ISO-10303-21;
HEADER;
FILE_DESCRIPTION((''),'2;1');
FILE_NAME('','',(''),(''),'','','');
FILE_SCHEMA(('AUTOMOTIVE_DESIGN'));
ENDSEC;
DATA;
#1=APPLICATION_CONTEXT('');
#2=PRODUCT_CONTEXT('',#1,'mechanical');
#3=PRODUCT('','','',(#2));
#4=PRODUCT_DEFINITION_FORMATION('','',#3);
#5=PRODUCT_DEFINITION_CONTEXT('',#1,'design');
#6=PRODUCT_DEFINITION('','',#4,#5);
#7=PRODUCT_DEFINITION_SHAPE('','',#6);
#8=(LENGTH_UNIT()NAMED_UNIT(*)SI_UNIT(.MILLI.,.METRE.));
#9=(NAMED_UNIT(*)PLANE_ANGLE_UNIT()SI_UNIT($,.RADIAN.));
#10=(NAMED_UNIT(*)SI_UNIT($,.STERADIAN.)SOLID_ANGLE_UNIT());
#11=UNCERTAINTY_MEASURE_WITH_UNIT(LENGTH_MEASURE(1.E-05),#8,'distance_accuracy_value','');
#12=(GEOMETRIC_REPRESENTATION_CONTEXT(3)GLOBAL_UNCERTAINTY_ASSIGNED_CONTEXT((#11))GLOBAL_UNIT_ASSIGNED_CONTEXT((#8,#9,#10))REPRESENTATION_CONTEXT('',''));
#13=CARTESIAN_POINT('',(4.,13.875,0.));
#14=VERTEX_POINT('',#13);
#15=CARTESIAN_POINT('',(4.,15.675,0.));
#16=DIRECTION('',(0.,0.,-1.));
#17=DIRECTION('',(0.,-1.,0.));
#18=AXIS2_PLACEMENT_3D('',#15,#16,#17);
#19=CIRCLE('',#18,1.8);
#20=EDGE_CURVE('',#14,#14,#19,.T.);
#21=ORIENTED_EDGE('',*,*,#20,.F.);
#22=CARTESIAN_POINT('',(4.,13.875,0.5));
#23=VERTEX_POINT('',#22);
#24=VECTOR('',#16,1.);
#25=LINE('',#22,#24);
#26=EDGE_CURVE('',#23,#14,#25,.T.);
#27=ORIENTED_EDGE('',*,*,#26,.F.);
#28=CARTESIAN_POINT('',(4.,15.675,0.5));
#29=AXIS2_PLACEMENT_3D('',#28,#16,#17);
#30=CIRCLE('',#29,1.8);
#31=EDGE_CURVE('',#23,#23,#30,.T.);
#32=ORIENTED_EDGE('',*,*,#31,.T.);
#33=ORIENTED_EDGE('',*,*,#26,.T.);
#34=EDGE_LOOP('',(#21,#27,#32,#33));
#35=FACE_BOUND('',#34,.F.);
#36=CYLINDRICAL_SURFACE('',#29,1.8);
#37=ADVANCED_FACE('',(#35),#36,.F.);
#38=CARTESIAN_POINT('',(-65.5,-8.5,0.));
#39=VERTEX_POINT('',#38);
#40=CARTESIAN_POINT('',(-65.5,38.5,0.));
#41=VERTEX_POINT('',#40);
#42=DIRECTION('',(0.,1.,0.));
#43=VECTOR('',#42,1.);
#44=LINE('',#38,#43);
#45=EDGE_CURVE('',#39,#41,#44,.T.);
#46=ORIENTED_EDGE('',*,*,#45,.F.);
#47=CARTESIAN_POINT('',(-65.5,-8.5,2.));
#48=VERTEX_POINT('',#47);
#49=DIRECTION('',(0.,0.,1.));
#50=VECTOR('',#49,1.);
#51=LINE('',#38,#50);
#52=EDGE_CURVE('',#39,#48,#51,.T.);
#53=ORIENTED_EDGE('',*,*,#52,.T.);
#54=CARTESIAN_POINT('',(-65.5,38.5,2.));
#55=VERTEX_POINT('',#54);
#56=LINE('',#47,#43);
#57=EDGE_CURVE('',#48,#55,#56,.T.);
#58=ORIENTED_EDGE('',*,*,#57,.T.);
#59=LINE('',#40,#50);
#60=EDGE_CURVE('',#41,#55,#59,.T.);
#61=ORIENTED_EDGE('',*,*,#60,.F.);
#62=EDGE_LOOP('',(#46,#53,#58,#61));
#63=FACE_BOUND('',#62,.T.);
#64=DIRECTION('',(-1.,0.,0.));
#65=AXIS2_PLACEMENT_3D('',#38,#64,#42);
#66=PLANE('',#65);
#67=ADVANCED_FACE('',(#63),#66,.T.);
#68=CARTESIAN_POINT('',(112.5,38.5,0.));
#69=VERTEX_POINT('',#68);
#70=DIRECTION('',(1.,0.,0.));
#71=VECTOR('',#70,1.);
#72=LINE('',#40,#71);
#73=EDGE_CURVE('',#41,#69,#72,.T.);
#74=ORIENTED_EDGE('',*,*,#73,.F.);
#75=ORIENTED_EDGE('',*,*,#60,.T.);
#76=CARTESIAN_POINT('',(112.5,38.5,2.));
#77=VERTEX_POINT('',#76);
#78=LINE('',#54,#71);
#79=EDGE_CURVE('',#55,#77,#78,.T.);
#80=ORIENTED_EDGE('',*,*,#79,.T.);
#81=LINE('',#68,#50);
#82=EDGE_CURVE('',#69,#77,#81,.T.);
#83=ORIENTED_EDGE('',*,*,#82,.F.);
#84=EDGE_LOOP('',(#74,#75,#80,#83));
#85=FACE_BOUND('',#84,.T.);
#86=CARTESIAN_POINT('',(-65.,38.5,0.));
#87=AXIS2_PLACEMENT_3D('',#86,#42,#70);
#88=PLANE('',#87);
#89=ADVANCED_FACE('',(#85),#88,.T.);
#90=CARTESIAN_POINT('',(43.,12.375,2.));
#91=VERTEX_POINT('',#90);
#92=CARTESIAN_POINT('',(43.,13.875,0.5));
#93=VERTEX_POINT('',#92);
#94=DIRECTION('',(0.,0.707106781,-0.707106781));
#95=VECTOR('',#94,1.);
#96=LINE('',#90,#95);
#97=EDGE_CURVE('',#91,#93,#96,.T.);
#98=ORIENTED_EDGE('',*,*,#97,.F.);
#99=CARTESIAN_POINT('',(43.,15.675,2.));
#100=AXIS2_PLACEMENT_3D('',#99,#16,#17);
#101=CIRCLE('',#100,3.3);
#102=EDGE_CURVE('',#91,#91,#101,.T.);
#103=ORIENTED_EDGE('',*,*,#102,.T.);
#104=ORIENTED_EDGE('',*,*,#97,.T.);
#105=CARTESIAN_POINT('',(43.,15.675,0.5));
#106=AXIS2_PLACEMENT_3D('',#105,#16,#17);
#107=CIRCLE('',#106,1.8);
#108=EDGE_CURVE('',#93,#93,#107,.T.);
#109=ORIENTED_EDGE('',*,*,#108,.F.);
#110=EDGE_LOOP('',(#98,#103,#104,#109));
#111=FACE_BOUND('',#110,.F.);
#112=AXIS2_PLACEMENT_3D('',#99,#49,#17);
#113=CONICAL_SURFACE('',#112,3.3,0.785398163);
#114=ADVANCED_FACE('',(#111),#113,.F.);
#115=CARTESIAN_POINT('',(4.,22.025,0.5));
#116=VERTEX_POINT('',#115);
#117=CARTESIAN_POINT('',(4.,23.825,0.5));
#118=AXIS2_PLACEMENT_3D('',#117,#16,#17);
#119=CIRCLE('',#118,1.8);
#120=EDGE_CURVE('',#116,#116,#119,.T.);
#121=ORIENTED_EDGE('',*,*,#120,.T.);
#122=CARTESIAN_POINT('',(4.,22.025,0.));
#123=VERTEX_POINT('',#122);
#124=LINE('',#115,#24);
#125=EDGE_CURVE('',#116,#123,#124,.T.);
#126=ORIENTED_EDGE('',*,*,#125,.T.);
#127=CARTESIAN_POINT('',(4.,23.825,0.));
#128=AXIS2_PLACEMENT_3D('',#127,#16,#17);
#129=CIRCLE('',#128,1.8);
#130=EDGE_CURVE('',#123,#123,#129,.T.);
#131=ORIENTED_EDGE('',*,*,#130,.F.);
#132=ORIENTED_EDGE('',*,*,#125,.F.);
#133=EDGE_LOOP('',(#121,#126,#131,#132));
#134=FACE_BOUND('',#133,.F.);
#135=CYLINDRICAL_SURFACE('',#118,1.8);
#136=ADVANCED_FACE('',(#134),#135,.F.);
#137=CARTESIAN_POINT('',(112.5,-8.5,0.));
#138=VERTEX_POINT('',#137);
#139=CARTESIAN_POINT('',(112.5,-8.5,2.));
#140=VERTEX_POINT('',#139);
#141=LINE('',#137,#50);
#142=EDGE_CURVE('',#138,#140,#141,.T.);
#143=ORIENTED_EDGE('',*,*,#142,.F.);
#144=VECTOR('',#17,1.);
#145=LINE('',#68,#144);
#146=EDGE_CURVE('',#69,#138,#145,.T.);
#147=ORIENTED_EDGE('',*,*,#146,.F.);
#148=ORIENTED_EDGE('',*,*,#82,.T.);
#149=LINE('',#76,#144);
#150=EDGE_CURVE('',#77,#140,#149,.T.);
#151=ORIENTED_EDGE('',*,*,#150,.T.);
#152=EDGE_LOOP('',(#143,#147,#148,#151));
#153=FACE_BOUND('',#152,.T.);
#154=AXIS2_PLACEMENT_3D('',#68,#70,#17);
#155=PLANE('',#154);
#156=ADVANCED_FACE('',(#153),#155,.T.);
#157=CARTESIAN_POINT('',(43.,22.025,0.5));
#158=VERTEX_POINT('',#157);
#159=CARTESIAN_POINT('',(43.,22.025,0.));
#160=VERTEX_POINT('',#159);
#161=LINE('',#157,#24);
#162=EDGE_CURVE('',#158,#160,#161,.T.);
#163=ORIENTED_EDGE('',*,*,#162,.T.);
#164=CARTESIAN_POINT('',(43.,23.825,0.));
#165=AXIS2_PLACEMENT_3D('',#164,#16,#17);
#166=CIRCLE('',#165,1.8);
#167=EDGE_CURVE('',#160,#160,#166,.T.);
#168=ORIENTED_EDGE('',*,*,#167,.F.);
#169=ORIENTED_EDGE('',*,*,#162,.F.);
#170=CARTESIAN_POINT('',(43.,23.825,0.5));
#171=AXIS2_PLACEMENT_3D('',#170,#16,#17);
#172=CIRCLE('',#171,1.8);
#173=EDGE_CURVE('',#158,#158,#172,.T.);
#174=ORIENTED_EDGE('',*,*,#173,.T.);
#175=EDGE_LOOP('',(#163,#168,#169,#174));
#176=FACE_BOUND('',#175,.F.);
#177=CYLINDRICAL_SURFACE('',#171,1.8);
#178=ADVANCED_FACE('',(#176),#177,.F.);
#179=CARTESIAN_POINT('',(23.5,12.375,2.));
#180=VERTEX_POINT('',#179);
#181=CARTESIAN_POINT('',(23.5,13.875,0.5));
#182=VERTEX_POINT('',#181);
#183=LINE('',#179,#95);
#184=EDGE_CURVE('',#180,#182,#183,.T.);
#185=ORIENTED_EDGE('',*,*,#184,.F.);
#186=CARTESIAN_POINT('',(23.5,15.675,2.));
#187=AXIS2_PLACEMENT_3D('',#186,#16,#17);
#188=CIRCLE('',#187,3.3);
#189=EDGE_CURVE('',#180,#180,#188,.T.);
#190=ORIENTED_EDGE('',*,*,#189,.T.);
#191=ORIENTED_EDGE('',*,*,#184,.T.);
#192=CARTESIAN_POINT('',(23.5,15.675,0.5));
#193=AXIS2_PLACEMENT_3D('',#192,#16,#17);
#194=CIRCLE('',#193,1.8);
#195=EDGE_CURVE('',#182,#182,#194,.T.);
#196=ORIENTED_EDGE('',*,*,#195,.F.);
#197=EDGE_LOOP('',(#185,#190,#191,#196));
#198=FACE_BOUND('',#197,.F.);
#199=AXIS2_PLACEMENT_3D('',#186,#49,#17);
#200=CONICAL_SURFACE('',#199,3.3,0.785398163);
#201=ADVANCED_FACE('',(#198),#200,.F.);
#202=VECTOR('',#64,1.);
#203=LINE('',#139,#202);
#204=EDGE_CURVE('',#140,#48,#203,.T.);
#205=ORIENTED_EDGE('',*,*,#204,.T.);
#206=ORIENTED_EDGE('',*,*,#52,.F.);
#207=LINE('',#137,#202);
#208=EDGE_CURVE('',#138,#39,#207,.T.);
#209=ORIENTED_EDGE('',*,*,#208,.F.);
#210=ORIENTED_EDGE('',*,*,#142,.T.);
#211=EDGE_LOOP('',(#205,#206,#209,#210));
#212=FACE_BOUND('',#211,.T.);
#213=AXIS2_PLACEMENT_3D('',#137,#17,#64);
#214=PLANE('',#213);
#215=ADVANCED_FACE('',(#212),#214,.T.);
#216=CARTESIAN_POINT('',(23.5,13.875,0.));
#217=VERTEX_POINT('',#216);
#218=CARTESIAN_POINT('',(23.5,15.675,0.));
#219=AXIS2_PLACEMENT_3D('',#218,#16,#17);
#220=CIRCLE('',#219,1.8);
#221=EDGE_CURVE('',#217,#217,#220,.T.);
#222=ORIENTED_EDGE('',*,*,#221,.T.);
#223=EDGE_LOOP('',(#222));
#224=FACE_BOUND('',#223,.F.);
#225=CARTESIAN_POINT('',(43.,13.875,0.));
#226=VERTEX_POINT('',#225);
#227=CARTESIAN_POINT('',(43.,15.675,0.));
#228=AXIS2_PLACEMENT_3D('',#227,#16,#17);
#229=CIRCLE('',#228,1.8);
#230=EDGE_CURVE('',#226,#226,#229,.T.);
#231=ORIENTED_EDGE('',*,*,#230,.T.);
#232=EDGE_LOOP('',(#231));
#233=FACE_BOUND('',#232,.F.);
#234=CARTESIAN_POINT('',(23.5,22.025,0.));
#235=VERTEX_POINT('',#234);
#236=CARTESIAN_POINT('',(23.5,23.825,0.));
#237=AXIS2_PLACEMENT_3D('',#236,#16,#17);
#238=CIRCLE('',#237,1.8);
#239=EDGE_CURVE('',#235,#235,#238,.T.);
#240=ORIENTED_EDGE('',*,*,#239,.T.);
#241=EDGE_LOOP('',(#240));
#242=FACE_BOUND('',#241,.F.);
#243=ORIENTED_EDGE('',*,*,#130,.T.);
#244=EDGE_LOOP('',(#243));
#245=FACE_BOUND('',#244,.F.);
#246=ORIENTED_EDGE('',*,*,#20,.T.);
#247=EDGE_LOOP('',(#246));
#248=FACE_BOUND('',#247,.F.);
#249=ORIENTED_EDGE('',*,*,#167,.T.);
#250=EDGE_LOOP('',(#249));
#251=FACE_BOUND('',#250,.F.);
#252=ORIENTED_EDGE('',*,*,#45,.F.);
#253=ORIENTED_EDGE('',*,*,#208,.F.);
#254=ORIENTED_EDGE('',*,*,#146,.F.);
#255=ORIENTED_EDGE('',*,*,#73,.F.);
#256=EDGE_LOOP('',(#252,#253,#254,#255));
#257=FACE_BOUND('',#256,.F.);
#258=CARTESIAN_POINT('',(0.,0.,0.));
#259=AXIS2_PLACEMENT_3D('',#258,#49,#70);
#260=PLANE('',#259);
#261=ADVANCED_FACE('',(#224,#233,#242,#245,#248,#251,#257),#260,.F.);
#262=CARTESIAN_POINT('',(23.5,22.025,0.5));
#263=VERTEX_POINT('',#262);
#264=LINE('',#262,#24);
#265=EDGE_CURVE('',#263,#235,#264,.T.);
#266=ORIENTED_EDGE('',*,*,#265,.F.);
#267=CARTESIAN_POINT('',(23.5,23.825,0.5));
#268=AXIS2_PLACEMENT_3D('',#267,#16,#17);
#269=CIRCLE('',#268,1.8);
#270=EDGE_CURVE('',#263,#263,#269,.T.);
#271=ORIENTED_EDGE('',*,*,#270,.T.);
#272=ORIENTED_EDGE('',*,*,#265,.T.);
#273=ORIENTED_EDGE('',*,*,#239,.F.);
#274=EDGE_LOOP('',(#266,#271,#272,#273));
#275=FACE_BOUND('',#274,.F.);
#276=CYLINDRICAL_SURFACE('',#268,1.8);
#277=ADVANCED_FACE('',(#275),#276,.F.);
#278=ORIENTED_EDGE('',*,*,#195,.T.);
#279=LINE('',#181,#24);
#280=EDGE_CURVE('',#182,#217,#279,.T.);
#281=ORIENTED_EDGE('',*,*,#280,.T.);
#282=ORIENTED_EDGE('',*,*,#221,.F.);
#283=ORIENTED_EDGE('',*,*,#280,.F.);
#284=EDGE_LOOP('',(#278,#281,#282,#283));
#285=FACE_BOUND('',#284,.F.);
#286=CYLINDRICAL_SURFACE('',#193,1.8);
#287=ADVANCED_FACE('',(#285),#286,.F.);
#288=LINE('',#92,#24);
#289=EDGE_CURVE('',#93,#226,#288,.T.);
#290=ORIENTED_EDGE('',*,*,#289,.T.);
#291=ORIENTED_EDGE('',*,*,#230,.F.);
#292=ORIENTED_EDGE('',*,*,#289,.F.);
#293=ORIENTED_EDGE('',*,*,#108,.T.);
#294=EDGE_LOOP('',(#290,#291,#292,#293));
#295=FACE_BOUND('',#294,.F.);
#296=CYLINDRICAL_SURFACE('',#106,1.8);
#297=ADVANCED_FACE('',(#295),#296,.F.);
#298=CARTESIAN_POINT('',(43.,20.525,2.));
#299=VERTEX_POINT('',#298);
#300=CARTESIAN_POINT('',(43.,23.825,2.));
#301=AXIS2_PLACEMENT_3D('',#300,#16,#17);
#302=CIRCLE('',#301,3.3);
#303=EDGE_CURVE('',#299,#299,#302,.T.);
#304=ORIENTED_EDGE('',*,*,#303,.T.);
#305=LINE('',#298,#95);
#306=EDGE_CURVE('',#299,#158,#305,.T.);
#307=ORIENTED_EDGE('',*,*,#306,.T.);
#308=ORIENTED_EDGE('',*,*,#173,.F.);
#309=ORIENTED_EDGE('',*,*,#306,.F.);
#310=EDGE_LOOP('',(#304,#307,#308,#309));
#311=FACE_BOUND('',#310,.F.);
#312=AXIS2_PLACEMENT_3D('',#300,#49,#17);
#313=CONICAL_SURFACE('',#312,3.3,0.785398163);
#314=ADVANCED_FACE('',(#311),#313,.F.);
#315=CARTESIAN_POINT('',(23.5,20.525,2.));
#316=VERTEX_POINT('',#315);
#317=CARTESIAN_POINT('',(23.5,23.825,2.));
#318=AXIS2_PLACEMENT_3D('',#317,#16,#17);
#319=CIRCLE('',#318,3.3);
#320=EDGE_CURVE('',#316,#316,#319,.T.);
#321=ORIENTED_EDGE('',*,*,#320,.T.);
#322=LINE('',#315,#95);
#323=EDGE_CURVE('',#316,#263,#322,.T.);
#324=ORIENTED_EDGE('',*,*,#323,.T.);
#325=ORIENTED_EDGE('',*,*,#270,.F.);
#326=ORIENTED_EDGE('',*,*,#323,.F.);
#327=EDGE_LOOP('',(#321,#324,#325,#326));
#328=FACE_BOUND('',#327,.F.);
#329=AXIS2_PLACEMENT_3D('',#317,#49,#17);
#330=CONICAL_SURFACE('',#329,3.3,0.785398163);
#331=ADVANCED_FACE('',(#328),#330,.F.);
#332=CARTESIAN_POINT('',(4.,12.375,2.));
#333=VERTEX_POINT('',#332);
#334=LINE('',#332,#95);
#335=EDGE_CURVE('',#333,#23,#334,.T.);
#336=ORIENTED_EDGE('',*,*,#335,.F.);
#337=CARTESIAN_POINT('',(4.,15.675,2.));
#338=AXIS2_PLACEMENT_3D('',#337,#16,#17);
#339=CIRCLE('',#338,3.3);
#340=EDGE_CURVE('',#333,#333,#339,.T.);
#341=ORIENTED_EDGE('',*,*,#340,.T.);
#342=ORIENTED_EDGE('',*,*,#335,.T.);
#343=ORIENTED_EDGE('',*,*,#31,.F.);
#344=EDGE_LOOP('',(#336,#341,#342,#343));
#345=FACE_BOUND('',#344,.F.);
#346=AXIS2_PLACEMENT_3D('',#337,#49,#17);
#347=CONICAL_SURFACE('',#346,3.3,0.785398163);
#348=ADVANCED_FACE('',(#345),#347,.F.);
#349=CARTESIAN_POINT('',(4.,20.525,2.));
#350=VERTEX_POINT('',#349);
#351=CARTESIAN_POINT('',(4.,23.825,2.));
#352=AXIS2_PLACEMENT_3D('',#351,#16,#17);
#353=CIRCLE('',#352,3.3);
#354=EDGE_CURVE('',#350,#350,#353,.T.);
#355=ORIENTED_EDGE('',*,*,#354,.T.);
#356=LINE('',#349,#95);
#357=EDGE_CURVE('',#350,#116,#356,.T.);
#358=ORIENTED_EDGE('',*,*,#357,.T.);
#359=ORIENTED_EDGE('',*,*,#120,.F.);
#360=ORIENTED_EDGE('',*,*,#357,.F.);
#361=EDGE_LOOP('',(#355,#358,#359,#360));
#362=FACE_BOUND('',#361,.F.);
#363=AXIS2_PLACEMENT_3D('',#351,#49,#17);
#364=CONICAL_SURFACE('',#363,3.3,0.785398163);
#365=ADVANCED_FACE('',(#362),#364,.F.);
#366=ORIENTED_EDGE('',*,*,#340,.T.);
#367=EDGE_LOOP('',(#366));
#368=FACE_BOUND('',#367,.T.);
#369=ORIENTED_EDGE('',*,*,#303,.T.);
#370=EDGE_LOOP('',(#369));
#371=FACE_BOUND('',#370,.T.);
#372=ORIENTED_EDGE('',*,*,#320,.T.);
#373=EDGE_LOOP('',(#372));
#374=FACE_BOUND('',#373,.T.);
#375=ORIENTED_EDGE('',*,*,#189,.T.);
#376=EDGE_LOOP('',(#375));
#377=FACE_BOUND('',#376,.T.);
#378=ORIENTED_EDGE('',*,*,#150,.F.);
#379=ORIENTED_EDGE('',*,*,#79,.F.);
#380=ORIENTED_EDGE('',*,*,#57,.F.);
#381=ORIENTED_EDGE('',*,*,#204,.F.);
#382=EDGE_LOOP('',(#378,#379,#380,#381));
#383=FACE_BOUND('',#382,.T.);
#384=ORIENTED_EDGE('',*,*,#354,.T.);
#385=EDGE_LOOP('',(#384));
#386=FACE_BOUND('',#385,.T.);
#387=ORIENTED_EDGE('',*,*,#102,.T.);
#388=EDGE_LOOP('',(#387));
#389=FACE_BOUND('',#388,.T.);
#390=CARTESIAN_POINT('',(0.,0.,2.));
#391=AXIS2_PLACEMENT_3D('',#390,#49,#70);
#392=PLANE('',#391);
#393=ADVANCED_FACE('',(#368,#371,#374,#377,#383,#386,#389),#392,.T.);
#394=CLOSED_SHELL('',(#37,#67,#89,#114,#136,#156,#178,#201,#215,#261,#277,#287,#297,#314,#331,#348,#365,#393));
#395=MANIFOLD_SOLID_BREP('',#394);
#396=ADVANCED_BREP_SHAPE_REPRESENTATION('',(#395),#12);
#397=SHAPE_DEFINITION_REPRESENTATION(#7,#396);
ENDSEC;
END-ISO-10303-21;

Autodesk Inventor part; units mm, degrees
ref_plane "YZ Plane" through (0, 0, 0) normal (1, 0, 0) x (0, 1, 0)
ref_plane "XZ Plane" through (0, 0, 0) normal (0, 1, 0) x (-1, 0, 0)
ref_plane "XY Plane" through (0, 0, 0) normal (0, 0, 1) x (1, 0, 0)
ref_plane "Work Plane1" through (0, 0, 0) normal (0, 0, 1) x (1, 0, 0)
sketch "Sketch1" plane through (0, 0, 0) normal (0, 0, 1) x (1, 0, 0)
  line L0 (0, 0) -> (47, 0) projected
  line L1 (47, 0) -> (47, 3) projected
  line L2 (0, 3) -> (47, 3) projected
  line L3 (0, 0) -> (0, 3) projected
  line L4 (-65.5, 38.5) -> (112.5, 38.5)
  line L5 (112.5, 38.5) -> (112.5, -8.5)
  line L6 (112.5, -8.5) -> (-65.5, -8.5)
  line L7 (-65.5, -8.5) -> (-65.5, 38.5)
  line L8 (-65, -11.5) -> (-65, 38.5) projected
  point P0 (23.5, 0)
  dimension "d0" = 178
  dimension "d1" = 89
  dimension "d2" = 89
  dimension "d3" = 0
  dimension "d13" = 3
extrude "Extrusion1" add sketch "Sketch1" along normal blind 2 contours L3 L2 L1 L0 | L4 L8 L6 L7 | L4 L5 L6 L8
sketch "Sketch2" plane through (0, 0, 2) normal (0, 0, 1) x (1, 0, 0)
  circle A0 centre (4, 23.825) radius 2.3 projected
  circle A1 centre (4, 15.675) radius 2.3 projected
  line L0 (7, 36.5) -> (1, 36.5) projected
  line L1 (1, 3) -> (1, 36.5) projected
  line L2 (1, 3) -> (7, 3) projected
  line L3 (7, 3) -> (7, 36.5) projected
  circle A2 centre (23.5, 23.825) radius 2.3 projected
  circle A3 centre (23.5, 15.675) radius 2.3 projected
  line L4 (28, 36.5) -> (19, 36.5) projected
  line L5 (19, 3) -> (19, 36.5) projected
  line L6 (19, 3) -> (28, 3) projected
  line L7 (28, 3) -> (28, 36.5) projected
  circle A4 centre (43, 23.825) radius 2.3 projected
  circle A5 centre (43, 15.675) radius 2.3 projected
  line L8 (46, 36.5) -> (40, 36.5) projected
  line L9 (40, 3) -> (40, 36.5) projected
  line L10 (40, 3) -> (46, 3) projected
  line L11 (46, 3) -> (46, 36.5) projected
  point P0 (0, 0)
hole "Hole1" at (4, 23.825, 2) at (4, 15.675, 2) at (23.5, 15.675, 2) at (23.5, 23.825, 2) at (43, 23.825, 2) at (43, 15.675, 2) direction (0, 0, -1) diameter 3.6 end through all countersink diameter 6.6 countersink angle 90 clearance for "Countersunk Flat Head Screw ISO 2009/7046" size "M3" standard "ISO"
equation "\"d1\" = d2"
properties part number "back"
